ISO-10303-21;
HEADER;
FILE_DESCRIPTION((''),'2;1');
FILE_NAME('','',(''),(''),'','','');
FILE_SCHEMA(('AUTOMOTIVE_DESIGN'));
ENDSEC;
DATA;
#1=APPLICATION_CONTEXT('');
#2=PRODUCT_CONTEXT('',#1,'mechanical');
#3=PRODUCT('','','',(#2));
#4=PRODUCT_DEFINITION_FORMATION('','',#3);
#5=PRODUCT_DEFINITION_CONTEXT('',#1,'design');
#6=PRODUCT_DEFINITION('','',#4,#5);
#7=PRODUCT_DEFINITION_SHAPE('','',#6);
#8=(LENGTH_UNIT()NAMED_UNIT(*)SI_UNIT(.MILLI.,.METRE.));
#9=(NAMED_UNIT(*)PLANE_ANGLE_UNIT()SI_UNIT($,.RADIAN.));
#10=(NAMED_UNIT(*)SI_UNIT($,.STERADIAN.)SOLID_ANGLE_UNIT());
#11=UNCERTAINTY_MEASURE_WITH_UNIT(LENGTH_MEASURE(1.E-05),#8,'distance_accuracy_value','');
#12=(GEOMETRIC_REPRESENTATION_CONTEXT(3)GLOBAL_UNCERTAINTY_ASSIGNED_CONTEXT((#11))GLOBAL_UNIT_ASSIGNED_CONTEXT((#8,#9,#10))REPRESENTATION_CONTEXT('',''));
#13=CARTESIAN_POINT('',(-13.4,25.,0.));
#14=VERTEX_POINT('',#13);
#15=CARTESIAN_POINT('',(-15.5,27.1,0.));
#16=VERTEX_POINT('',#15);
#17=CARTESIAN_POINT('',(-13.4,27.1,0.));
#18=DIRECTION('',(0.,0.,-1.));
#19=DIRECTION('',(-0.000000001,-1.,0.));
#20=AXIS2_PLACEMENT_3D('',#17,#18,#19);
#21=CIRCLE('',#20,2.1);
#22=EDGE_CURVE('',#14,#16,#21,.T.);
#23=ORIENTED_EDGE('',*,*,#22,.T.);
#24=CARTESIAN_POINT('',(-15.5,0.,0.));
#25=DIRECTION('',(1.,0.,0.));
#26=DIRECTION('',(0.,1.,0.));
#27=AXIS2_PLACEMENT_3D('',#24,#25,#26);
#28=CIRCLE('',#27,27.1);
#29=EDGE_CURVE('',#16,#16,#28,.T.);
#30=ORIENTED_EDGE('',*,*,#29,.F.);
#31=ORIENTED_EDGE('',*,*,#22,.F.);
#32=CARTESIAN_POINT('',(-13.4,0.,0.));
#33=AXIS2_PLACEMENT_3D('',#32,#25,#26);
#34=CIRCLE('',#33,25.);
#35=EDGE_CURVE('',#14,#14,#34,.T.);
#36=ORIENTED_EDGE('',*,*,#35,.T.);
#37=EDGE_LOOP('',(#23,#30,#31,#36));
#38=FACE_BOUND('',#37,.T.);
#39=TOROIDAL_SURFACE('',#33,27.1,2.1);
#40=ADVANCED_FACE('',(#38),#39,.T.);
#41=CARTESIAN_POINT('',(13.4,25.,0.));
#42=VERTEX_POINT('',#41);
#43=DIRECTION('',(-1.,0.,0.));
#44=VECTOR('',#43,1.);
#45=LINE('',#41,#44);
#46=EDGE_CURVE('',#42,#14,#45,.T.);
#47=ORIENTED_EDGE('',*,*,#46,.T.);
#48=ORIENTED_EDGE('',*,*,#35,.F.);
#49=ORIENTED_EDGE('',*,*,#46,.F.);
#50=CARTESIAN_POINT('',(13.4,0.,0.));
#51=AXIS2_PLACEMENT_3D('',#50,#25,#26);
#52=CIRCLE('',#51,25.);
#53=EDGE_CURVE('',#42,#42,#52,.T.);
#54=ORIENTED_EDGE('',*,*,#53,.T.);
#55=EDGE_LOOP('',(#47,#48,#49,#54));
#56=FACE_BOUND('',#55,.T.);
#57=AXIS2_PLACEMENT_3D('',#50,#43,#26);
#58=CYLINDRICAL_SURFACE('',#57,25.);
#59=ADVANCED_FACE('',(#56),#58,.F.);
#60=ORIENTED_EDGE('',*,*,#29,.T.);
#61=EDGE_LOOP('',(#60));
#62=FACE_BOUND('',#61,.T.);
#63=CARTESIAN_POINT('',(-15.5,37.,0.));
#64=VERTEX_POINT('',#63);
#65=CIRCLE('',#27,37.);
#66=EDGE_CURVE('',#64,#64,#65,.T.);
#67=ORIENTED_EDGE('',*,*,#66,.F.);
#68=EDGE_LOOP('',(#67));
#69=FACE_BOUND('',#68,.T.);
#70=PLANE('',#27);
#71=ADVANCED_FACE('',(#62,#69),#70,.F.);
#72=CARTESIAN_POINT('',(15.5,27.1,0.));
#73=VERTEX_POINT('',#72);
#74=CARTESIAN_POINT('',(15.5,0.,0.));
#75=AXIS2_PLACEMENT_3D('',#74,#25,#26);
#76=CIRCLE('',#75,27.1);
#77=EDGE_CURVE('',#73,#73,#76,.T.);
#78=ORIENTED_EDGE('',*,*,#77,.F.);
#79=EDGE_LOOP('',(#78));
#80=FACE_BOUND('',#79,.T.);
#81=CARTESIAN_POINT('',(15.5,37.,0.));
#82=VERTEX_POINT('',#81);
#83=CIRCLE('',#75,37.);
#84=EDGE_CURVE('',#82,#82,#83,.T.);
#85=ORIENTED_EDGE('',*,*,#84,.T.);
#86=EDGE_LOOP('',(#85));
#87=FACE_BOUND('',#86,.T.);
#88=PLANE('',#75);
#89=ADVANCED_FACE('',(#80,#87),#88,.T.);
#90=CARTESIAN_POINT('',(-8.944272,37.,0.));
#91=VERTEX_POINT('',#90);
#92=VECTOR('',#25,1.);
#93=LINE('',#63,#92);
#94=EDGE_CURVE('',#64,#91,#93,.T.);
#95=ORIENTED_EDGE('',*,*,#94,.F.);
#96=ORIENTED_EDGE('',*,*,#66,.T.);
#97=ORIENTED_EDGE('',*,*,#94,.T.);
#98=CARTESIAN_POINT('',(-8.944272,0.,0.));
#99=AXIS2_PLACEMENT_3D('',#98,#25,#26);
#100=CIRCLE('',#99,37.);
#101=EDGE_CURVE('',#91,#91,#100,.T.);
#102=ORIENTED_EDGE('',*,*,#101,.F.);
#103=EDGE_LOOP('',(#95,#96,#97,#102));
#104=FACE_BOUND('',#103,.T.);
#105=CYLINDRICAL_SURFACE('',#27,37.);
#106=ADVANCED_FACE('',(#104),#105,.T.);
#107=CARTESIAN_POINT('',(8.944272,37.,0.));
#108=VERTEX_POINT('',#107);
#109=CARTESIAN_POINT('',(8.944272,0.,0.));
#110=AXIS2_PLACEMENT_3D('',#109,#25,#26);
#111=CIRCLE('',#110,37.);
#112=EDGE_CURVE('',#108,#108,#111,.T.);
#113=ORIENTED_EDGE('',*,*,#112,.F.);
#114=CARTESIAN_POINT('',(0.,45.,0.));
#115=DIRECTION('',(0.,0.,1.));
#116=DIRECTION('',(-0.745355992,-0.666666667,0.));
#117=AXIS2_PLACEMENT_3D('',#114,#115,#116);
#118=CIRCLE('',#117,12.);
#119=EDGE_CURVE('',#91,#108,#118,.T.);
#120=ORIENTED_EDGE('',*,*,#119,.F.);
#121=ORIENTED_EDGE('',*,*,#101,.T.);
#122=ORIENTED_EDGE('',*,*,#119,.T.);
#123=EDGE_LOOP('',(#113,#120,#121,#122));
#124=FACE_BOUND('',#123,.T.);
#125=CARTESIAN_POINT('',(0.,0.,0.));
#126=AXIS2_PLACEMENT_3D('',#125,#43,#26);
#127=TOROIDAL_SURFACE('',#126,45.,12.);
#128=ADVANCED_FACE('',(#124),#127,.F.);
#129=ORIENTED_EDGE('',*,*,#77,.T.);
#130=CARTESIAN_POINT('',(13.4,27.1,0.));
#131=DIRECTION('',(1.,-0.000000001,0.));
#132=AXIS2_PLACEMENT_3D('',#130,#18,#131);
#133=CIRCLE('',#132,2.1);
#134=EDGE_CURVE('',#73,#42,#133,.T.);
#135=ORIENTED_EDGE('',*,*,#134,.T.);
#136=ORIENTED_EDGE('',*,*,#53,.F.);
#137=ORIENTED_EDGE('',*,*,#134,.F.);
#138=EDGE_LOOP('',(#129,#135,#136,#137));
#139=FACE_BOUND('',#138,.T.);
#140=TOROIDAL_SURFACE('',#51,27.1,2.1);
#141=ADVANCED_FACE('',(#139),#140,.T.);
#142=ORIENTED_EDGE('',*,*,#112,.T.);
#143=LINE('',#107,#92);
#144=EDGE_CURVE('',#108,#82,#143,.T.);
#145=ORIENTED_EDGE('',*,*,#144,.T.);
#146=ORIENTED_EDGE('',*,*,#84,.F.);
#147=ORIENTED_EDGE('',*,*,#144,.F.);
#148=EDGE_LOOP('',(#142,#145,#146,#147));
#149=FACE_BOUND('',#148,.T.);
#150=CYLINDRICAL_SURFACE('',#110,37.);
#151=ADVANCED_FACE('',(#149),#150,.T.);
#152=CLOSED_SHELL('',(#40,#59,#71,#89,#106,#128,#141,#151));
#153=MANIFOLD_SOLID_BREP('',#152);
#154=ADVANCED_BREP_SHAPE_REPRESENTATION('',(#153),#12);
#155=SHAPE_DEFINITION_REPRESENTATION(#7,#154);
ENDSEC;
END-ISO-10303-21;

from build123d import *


with BuildPart() as part:
    # Sketch1 → Revolve1 (revolve)
    with BuildSketch(Plane.XY):
        with BuildLine():
            Line((-15.5, 37), (-8.94427191, 37))
            ThreePointArc((-8.94427191, 37), (0, 33), (8.94427191, 37))
            Line((8.94427191, 37), (15.5, 37))
            Line((15.5, 37), (15.5, 27.1))
            ThreePointArc((15.5, 27.1), (14.88492424, 25.61507576), (13.4, 25))
            Line((13.4, 25), (-13.4, 25))
            ThreePointArc((-13.4, 25), (-14.88492424, 25.61507576), (-15.5, 27.1))
            Line((-15.5, 27.1), (-15.5, 37))
        make_face()
    revolve(axis=Axis((-29.583333333, 0, 0), (1, 0, 0)))


solid = part.part
